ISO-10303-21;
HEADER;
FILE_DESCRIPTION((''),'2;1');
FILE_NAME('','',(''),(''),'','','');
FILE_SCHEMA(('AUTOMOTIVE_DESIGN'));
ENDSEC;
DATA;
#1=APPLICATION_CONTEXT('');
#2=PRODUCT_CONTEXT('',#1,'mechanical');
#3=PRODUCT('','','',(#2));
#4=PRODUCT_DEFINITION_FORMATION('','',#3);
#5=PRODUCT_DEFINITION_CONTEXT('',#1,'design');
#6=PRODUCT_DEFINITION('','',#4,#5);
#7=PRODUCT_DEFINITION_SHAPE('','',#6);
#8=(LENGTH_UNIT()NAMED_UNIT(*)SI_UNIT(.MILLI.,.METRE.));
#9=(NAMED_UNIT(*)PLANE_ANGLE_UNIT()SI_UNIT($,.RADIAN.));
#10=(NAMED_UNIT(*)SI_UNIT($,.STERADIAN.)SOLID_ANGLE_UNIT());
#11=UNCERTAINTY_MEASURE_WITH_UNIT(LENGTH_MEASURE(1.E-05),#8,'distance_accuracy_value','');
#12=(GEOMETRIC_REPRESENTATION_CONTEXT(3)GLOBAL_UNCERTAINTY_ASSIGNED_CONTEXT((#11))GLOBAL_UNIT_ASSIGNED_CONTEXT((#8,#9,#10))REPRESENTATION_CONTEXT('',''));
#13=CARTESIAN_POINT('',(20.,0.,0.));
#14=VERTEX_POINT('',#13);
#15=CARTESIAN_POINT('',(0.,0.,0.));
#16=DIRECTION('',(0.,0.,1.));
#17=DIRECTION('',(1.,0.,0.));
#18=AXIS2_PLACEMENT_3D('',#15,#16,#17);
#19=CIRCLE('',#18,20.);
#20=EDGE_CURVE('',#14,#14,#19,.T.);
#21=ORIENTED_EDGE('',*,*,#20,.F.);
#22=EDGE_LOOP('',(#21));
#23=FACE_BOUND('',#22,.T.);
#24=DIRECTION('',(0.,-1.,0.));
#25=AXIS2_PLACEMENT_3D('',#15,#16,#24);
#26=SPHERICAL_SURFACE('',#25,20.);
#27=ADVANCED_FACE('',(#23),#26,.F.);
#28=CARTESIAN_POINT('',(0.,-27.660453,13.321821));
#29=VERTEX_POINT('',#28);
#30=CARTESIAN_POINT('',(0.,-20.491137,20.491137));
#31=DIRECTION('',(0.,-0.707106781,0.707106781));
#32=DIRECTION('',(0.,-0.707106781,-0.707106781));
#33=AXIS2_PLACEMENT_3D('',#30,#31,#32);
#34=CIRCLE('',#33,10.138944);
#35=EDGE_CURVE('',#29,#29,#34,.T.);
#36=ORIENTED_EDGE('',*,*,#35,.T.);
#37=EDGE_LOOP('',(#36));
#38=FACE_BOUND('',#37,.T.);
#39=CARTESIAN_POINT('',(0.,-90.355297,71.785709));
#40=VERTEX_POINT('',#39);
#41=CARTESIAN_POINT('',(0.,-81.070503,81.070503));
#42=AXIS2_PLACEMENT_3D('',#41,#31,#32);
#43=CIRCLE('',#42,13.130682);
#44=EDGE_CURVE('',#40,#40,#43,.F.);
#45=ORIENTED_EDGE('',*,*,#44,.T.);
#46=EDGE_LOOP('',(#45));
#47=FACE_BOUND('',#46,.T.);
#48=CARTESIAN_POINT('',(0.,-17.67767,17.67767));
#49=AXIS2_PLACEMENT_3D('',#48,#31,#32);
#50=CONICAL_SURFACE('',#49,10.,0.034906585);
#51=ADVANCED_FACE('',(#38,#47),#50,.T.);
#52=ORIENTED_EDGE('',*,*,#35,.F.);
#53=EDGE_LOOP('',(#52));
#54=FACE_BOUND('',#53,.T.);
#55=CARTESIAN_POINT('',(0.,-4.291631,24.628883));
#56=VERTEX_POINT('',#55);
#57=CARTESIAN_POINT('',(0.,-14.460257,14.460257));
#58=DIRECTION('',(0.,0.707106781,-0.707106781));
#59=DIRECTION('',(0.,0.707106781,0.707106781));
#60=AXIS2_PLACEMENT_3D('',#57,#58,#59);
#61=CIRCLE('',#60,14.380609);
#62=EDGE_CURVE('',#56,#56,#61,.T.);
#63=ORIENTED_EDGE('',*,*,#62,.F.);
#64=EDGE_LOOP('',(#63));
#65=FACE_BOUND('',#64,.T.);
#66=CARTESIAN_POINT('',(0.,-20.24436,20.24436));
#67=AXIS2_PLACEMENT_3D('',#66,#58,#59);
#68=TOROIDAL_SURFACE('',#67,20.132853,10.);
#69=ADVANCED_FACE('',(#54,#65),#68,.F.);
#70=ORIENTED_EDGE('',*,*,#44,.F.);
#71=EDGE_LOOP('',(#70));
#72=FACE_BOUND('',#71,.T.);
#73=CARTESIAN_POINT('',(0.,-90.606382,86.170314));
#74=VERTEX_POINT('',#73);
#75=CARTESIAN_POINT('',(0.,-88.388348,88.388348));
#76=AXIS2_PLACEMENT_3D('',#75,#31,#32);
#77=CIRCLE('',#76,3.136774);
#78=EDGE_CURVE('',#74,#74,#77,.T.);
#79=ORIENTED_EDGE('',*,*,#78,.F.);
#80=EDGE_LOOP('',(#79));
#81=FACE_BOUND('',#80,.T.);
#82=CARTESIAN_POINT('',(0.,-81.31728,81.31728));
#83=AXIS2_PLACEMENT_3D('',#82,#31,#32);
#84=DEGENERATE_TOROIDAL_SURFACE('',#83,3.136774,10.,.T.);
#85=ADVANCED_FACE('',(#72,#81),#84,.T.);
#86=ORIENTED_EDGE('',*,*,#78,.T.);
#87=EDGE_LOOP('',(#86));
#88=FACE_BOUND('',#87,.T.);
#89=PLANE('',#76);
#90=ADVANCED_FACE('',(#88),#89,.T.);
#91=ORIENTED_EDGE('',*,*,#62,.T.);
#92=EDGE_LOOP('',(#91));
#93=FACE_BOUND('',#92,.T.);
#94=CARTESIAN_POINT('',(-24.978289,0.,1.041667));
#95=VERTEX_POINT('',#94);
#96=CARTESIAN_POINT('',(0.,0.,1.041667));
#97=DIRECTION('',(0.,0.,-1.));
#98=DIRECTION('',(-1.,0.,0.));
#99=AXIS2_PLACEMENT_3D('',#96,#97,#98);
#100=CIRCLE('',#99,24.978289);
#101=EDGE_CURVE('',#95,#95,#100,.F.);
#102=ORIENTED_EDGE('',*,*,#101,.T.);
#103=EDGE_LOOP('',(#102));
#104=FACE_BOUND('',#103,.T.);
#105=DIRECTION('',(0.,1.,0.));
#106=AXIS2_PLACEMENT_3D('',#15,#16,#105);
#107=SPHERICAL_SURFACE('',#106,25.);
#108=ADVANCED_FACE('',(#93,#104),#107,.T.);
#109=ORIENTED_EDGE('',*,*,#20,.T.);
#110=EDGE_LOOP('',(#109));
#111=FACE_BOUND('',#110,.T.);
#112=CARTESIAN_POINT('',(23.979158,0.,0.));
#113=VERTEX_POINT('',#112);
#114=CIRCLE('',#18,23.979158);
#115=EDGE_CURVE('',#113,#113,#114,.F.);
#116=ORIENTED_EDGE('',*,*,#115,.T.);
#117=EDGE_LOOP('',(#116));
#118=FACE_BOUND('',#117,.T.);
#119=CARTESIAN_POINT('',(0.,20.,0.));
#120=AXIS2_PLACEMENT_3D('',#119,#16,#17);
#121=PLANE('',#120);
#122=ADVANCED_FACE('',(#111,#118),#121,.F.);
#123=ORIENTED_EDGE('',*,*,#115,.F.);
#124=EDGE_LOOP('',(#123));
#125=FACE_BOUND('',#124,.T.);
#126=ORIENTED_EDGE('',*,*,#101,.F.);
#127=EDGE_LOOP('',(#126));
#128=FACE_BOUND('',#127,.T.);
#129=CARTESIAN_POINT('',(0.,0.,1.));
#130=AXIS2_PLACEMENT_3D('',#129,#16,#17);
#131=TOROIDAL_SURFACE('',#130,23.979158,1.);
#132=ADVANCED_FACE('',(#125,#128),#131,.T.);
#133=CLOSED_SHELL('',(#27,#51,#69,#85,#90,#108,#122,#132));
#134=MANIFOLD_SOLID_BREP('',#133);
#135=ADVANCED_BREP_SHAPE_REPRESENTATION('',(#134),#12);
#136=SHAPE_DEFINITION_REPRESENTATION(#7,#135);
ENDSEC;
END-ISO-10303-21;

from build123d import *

# Parameters (mm, degrees)
SKETCH3_R                     = 10
BOSS_EXTRUDE1_DEPTH           = 100
BOSS_EXTRUDE1_TAPER           = -2
BOSS_EXTRUDE1_OTHER_WAY_DEPTH = 2.5
BOSS_EXTRUDE1_OTHER_WAY_TAPER = -2
FILLET1_R                     = 10
FILLET2_R                     = 10
FILLET3_R                     = 1


with BuildPart() as part:
    # Sketch1 → Revolve1 (revolve)
    with BuildSketch(Plane.YZ):
        with BuildLine():
            Line((0, 25), (0, 20))
            ThreePointArc((0, 20), (14.142135624, 14.142135624), (20, 0))
            Line((20, 0), (25, 0))
            ThreePointArc((25, 0), (17.67766953, 17.67766953), (0, 25))
        make_face()
    revolve(axis=Axis((0, 0, 25), (0, 0, -1)))

    # Sketch3 → Boss-Extrude1 (add)
    with BuildSketch(Plane(origin=(0, -17.67766953, 17.67766953), x_dir=(-1, 0, 0), z_dir=(0, -0.7071067811865513, 0.7071067811865438))):
        Circle(SKETCH3_R)
    extrude(amount=BOSS_EXTRUDE1_DEPTH, taper=BOSS_EXTRUDE1_TAPER)

    # Sketch3 → Boss-Extrude1 other way (add)
    with BuildSketch(Plane(origin=(0, -17.67766953, 17.67766953), x_dir=(-1, 0, 0), z_dir=(0, -0.7071067811865513, 0.7071067811865438))):
        Circle(SKETCH3_R)
    extrude(amount=-BOSS_EXTRUDE1_OTHER_WAY_DEPTH, taper=BOSS_EXTRUDE1_OTHER_WAY_TAPER)

    # Fillet1
    fillet1_edges = [part.edges().sort_by_distance(p)[0] for p in [
        (13.492076949, -88.388347648, 88.388347648),
    ]]
    fillet(fillet1_edges, radius=FILLET1_R)

    # Fillet2
    fillet2_edges = [part.edges().sort_by_distance(p)[0] for p in [
        (10.074016935, -16.17890888, 16.178908809),
    ]]
    fillet(fillet2_edges, radius=FILLET2_R)

    # Fillet3
    fillet3_edges = [part.edges().sort_by_distance(p)[0] for p in [
        (0, -25, 0),
    ]]
    fillet(fillet3_edges, radius=FILLET3_R)


solid = part.part
